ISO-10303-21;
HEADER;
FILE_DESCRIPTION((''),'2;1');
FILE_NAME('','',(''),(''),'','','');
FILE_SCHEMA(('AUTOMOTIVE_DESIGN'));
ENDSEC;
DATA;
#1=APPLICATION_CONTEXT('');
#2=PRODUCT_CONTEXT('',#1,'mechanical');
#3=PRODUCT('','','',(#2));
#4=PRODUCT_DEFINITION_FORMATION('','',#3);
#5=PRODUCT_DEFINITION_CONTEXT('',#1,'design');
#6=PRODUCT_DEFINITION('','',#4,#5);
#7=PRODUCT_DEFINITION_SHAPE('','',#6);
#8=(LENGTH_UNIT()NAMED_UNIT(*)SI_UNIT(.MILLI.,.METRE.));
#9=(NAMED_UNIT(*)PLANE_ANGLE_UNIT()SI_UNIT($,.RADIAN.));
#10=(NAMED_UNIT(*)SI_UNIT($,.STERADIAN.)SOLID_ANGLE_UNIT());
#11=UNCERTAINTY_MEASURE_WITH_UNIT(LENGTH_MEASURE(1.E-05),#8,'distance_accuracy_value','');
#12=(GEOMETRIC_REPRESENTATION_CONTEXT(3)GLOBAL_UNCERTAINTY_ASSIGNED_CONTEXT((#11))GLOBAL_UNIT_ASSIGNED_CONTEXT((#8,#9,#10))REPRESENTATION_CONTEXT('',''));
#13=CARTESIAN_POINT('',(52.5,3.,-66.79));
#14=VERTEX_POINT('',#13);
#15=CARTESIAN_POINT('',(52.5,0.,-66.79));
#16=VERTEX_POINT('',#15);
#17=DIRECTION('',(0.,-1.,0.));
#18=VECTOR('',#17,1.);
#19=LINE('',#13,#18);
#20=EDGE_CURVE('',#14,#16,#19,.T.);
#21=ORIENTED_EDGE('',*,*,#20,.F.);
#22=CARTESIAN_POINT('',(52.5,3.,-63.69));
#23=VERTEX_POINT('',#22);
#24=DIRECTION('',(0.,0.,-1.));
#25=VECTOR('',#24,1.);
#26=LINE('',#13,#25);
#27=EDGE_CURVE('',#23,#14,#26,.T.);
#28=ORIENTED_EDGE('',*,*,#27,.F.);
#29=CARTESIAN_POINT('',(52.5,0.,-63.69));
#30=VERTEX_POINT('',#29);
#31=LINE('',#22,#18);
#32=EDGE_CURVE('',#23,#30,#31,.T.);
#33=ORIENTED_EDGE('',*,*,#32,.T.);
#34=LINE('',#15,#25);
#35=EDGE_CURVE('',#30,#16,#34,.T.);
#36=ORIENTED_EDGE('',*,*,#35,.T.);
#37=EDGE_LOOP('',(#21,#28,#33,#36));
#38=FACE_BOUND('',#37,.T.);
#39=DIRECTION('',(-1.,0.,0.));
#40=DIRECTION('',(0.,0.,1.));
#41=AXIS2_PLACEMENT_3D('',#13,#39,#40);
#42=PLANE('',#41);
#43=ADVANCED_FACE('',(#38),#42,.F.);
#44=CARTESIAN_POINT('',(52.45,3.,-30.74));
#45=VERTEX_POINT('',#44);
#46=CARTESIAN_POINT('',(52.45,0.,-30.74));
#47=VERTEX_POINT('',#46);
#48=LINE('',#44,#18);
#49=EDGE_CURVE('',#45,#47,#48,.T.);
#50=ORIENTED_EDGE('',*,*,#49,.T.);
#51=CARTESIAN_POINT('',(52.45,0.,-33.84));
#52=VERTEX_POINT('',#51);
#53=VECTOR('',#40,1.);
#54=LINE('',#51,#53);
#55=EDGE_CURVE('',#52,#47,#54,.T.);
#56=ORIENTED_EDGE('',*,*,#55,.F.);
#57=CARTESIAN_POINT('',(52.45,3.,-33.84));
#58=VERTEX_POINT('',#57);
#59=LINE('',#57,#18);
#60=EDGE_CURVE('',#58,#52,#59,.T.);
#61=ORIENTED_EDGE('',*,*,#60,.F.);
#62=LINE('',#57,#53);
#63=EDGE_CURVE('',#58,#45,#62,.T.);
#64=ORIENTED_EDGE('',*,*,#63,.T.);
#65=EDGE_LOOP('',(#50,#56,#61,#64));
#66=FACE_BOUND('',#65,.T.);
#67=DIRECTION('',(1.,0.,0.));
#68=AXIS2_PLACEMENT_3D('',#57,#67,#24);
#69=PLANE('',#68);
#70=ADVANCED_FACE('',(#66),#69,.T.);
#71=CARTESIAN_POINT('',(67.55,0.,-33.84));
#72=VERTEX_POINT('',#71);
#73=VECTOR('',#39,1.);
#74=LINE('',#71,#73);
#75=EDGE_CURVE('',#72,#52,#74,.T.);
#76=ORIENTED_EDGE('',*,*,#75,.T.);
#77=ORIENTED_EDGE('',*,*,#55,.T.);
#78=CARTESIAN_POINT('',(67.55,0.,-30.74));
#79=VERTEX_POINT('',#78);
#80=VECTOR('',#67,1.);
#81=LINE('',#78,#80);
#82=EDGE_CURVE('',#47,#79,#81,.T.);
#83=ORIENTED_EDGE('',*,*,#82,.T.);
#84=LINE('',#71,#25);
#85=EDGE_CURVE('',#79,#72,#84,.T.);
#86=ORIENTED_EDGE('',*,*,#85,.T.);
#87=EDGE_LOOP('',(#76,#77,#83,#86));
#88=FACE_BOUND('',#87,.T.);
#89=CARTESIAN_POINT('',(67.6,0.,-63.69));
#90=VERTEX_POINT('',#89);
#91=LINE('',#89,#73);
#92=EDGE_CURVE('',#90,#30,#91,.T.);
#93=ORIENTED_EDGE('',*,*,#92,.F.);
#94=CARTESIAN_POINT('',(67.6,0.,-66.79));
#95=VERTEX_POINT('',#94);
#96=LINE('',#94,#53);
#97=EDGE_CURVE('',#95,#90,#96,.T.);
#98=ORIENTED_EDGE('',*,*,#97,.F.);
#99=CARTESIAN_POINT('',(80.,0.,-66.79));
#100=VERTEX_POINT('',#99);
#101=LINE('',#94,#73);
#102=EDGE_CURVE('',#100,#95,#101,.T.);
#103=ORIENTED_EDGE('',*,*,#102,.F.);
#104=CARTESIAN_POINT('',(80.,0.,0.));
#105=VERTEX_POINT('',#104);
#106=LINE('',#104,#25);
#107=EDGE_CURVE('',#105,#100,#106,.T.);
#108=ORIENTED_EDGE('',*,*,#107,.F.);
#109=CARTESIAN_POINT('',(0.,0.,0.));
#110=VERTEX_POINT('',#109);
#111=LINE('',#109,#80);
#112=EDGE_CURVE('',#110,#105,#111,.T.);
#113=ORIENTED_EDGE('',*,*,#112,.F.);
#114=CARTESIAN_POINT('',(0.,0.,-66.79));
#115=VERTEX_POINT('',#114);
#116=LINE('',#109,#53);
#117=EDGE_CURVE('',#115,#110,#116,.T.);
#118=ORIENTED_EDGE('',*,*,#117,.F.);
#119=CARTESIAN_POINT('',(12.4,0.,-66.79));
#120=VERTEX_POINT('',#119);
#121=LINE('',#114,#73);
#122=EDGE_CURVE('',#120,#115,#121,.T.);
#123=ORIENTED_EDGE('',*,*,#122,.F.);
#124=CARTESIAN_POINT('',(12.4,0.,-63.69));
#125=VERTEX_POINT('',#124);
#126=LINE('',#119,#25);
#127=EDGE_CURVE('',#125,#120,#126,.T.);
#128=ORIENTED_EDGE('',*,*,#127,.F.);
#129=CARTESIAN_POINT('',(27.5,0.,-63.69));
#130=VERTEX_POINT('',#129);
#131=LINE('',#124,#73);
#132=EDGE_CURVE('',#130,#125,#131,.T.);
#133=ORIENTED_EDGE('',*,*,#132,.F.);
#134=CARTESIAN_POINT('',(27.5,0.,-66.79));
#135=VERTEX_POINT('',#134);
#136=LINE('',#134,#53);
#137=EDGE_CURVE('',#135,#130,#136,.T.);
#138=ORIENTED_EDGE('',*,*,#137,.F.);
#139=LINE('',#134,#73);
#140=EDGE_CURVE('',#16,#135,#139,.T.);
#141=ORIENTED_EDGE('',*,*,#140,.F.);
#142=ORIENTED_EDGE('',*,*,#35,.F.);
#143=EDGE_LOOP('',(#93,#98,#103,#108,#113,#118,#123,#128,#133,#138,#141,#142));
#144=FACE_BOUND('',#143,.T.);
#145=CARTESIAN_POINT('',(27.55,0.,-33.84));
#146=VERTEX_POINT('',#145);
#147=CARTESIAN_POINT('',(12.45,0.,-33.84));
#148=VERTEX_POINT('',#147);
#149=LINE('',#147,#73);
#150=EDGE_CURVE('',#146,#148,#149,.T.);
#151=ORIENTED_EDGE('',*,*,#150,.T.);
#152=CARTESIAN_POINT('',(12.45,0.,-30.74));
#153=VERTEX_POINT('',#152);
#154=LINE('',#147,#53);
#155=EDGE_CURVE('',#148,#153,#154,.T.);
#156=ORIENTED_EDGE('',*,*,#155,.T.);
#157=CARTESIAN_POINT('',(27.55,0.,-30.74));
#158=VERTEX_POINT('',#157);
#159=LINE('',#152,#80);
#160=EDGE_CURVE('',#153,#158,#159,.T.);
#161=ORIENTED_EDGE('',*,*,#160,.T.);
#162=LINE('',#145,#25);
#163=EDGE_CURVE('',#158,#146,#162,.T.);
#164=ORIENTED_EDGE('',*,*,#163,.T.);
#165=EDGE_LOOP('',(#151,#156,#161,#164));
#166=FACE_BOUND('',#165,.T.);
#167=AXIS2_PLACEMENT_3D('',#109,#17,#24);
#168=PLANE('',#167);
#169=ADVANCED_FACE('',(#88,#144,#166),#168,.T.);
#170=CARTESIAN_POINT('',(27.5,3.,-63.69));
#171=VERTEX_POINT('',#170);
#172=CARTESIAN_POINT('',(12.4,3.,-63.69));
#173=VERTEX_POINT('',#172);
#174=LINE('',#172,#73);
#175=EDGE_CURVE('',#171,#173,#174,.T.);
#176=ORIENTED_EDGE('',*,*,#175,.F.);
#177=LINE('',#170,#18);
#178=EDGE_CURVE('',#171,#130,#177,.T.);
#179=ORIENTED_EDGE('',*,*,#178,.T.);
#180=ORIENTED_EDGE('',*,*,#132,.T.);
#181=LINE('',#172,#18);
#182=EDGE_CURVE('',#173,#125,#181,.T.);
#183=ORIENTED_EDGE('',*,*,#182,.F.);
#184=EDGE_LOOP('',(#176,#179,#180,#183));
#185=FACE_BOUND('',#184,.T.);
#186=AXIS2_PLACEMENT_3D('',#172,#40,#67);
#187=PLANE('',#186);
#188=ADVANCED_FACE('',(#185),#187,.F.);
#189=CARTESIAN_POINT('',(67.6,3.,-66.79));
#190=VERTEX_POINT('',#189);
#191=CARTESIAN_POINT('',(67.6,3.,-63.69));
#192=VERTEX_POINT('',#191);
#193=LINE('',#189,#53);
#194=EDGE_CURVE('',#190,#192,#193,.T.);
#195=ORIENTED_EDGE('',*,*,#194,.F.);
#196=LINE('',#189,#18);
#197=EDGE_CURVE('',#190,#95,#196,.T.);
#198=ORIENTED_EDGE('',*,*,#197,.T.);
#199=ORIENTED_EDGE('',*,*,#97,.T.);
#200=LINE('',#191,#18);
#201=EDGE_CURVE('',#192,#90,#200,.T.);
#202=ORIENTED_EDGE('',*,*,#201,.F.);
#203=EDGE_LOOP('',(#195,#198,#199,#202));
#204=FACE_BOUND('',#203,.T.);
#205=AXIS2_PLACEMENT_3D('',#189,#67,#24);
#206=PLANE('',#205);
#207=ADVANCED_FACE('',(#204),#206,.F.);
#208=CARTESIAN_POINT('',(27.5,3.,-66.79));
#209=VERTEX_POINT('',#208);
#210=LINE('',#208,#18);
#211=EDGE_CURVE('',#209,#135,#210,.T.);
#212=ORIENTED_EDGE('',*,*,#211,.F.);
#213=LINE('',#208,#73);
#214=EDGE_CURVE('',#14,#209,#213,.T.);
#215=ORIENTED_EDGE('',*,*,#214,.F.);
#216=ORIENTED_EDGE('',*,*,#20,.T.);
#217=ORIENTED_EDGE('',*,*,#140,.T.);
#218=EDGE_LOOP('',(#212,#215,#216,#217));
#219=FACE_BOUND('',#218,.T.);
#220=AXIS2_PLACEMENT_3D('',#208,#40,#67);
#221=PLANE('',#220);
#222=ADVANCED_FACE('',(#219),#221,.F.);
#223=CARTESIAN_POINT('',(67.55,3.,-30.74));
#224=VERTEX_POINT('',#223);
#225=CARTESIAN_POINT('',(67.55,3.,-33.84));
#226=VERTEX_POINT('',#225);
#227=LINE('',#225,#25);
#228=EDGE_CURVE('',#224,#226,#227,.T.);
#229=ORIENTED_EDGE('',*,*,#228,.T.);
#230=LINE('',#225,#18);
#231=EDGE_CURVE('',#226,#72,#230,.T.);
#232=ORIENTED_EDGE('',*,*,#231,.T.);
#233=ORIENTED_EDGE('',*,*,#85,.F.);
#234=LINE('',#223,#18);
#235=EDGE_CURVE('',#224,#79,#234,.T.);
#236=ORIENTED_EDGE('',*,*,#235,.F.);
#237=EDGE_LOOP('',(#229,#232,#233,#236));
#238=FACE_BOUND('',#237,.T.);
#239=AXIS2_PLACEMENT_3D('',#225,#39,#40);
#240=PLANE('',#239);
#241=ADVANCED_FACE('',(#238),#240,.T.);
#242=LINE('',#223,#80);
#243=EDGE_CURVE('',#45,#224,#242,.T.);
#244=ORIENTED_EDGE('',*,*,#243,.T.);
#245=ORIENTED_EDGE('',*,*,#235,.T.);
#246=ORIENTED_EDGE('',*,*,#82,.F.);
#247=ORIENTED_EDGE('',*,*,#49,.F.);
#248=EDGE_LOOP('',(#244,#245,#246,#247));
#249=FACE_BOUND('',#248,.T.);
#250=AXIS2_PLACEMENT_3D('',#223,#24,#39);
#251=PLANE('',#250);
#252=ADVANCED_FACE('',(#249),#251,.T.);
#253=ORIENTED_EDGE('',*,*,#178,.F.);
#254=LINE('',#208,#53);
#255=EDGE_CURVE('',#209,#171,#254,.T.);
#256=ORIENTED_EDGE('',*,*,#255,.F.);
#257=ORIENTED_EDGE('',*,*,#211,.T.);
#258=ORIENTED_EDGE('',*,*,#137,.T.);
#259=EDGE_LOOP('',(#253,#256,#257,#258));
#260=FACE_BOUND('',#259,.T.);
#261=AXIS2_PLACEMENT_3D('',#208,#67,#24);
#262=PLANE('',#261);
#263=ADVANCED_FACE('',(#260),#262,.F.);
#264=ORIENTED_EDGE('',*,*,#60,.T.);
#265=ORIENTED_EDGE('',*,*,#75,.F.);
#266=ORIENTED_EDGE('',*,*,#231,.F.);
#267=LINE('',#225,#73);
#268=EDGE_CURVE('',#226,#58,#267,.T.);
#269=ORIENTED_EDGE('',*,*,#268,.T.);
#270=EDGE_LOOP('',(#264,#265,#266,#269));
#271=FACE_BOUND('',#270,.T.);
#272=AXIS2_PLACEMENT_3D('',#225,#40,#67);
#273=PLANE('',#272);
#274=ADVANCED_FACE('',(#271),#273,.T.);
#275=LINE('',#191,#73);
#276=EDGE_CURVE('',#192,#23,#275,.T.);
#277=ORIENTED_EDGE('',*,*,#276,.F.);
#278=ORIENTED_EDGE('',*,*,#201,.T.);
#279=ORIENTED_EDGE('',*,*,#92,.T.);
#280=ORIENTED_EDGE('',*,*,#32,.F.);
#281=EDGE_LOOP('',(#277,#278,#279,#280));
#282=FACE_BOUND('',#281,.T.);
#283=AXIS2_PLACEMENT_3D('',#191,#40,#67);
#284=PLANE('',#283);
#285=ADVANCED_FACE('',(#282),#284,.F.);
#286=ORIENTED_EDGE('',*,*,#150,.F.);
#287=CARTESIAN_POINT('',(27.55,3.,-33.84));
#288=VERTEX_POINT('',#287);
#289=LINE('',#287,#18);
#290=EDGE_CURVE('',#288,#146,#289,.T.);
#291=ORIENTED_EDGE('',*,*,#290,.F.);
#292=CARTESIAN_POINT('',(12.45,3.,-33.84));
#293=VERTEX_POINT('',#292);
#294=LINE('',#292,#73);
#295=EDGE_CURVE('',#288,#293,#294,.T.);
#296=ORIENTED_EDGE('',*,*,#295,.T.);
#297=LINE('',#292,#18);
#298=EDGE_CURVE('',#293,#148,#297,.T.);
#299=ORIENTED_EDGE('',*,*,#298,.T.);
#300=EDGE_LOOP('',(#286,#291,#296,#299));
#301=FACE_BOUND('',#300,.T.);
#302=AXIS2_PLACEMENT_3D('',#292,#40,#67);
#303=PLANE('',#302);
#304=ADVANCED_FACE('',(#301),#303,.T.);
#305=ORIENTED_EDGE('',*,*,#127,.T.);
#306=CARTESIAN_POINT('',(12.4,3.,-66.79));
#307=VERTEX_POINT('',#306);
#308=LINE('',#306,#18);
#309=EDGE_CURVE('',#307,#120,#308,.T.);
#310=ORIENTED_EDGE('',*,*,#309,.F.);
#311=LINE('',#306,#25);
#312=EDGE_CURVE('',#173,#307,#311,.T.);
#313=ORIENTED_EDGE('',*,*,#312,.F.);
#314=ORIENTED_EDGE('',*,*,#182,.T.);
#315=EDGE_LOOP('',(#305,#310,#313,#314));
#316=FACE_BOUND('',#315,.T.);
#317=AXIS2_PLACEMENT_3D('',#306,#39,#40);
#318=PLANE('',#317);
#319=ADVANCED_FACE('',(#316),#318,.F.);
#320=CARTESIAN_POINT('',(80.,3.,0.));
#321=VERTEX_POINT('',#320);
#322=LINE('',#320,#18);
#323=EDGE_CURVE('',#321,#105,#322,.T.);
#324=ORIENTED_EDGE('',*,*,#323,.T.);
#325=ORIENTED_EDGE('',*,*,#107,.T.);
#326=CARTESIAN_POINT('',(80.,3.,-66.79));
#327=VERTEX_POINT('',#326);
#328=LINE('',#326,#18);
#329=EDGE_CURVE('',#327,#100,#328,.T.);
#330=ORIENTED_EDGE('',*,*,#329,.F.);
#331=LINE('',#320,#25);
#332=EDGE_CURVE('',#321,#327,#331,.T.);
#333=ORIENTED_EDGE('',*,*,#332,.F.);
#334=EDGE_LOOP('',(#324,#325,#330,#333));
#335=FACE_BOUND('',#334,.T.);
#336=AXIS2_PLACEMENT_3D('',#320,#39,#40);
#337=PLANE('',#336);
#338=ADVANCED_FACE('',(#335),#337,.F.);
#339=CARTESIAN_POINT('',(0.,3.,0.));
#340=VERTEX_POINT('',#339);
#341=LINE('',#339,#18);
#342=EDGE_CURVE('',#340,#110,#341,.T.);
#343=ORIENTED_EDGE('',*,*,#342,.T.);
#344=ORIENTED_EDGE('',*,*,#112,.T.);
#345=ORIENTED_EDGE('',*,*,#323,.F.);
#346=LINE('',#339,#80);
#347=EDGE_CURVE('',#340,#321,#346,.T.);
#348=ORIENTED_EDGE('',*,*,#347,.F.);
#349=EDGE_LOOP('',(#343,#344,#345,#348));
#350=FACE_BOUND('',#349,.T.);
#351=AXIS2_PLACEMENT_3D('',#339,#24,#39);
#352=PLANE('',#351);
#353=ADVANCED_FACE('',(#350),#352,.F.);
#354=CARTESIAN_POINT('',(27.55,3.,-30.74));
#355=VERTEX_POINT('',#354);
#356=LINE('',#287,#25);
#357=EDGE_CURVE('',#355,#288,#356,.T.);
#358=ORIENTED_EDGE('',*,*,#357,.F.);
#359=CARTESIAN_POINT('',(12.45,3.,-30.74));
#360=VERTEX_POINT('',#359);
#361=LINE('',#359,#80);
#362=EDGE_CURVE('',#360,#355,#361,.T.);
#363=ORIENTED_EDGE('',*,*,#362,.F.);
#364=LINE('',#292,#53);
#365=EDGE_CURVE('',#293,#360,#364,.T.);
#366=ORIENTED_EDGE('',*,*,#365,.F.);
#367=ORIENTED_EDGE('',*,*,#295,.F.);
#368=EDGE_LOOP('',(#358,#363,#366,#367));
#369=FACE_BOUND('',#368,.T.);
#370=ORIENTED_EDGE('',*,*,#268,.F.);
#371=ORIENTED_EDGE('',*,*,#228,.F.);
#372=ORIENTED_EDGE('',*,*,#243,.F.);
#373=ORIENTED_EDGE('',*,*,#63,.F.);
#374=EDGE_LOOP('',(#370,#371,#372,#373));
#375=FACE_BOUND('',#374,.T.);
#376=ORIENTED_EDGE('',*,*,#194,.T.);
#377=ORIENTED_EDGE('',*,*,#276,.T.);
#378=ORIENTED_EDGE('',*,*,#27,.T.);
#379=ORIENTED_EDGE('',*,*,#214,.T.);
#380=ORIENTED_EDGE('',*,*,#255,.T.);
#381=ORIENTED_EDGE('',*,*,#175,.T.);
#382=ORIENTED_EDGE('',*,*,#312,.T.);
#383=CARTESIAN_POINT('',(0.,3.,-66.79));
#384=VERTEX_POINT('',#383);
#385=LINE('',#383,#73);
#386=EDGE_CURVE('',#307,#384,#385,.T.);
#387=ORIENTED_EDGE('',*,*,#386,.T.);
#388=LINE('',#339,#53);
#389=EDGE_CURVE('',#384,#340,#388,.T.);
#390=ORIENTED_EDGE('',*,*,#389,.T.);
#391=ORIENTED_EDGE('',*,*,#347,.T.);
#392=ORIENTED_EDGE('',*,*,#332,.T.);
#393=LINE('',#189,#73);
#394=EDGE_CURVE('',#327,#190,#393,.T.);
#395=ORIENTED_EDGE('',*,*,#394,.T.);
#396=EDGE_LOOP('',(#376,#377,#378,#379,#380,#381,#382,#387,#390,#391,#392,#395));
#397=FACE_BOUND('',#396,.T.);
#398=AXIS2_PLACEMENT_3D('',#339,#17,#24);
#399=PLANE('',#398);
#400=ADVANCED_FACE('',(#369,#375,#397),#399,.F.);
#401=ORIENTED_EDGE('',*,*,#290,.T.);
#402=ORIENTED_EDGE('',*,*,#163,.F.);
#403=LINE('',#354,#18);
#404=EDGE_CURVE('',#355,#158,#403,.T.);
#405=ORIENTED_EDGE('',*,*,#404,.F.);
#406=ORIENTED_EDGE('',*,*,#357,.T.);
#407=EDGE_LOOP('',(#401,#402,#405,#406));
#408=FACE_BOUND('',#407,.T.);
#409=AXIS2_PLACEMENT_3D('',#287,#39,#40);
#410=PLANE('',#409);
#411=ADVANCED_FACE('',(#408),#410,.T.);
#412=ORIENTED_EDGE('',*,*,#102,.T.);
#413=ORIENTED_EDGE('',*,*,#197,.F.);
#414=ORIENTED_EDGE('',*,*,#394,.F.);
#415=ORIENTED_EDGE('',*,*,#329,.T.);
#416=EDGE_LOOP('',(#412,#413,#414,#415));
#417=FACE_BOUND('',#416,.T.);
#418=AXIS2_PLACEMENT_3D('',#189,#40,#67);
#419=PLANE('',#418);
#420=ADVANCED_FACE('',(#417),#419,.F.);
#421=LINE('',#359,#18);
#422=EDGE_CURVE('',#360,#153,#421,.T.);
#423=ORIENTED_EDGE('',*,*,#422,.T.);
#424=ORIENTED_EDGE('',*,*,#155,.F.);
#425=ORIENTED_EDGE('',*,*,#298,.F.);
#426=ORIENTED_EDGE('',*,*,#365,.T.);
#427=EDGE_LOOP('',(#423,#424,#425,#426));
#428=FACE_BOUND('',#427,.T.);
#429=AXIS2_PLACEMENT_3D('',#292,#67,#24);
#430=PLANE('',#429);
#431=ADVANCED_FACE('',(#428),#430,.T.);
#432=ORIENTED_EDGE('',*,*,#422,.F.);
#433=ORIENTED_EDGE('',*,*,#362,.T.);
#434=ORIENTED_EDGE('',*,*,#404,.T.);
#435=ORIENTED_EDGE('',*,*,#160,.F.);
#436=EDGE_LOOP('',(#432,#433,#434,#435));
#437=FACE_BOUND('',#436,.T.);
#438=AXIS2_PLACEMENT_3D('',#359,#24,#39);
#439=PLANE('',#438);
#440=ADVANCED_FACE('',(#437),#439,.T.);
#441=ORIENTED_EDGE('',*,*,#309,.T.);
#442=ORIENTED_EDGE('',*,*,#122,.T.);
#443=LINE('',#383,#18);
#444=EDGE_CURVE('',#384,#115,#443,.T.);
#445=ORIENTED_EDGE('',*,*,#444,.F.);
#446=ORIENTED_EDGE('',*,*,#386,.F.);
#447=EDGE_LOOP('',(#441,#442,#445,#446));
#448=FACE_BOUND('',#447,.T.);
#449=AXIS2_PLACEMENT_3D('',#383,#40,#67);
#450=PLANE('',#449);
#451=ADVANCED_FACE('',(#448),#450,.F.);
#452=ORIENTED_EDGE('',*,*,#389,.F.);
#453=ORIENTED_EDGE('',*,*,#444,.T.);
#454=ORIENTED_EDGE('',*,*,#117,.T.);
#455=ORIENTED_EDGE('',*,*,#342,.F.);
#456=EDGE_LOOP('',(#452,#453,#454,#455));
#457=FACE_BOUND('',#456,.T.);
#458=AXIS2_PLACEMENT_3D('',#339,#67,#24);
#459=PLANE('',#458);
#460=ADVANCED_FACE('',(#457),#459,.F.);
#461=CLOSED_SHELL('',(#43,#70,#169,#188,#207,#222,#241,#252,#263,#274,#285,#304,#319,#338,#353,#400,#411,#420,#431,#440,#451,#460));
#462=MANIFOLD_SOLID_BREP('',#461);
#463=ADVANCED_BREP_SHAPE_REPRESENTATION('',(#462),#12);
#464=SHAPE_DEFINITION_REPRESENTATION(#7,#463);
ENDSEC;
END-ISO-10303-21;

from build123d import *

# Parameters (mm, degrees)
SKETCH2_W           = 15.1
SKETCH2_H           = 3.1
BOSS_EXTRUDE5_DEPTH = 3


with BuildPart() as part:
    # Sketch2 → Boss-Extrude5 (new body)
    with BuildSketch(Plane(origin=(0, 0, 0), x_dir=(1, 0, 0), z_dir=(0, 1, 0))):
        Polygon((0, 0), (80, 0), (80, 66.79), (67.6, 66.79), (67.6, 63.69), (52.5, 63.69), (52.5, 66.79), (27.5, 66.79), (27.5, 63.69), (12.4, 63.69), (12.4, 66.79), (0, 66.79), align=None)
        with Locations((20, 32.29)):
            Rectangle(SKETCH2_W, SKETCH2_H, mode=Mode.SUBTRACT)
        with Locations((60, 32.29)):
            Rectangle(SKETCH2_W, SKETCH2_H, mode=Mode.SUBTRACT)
    extrude(amount=BOSS_EXTRUDE5_DEPTH)


solid = part.part
